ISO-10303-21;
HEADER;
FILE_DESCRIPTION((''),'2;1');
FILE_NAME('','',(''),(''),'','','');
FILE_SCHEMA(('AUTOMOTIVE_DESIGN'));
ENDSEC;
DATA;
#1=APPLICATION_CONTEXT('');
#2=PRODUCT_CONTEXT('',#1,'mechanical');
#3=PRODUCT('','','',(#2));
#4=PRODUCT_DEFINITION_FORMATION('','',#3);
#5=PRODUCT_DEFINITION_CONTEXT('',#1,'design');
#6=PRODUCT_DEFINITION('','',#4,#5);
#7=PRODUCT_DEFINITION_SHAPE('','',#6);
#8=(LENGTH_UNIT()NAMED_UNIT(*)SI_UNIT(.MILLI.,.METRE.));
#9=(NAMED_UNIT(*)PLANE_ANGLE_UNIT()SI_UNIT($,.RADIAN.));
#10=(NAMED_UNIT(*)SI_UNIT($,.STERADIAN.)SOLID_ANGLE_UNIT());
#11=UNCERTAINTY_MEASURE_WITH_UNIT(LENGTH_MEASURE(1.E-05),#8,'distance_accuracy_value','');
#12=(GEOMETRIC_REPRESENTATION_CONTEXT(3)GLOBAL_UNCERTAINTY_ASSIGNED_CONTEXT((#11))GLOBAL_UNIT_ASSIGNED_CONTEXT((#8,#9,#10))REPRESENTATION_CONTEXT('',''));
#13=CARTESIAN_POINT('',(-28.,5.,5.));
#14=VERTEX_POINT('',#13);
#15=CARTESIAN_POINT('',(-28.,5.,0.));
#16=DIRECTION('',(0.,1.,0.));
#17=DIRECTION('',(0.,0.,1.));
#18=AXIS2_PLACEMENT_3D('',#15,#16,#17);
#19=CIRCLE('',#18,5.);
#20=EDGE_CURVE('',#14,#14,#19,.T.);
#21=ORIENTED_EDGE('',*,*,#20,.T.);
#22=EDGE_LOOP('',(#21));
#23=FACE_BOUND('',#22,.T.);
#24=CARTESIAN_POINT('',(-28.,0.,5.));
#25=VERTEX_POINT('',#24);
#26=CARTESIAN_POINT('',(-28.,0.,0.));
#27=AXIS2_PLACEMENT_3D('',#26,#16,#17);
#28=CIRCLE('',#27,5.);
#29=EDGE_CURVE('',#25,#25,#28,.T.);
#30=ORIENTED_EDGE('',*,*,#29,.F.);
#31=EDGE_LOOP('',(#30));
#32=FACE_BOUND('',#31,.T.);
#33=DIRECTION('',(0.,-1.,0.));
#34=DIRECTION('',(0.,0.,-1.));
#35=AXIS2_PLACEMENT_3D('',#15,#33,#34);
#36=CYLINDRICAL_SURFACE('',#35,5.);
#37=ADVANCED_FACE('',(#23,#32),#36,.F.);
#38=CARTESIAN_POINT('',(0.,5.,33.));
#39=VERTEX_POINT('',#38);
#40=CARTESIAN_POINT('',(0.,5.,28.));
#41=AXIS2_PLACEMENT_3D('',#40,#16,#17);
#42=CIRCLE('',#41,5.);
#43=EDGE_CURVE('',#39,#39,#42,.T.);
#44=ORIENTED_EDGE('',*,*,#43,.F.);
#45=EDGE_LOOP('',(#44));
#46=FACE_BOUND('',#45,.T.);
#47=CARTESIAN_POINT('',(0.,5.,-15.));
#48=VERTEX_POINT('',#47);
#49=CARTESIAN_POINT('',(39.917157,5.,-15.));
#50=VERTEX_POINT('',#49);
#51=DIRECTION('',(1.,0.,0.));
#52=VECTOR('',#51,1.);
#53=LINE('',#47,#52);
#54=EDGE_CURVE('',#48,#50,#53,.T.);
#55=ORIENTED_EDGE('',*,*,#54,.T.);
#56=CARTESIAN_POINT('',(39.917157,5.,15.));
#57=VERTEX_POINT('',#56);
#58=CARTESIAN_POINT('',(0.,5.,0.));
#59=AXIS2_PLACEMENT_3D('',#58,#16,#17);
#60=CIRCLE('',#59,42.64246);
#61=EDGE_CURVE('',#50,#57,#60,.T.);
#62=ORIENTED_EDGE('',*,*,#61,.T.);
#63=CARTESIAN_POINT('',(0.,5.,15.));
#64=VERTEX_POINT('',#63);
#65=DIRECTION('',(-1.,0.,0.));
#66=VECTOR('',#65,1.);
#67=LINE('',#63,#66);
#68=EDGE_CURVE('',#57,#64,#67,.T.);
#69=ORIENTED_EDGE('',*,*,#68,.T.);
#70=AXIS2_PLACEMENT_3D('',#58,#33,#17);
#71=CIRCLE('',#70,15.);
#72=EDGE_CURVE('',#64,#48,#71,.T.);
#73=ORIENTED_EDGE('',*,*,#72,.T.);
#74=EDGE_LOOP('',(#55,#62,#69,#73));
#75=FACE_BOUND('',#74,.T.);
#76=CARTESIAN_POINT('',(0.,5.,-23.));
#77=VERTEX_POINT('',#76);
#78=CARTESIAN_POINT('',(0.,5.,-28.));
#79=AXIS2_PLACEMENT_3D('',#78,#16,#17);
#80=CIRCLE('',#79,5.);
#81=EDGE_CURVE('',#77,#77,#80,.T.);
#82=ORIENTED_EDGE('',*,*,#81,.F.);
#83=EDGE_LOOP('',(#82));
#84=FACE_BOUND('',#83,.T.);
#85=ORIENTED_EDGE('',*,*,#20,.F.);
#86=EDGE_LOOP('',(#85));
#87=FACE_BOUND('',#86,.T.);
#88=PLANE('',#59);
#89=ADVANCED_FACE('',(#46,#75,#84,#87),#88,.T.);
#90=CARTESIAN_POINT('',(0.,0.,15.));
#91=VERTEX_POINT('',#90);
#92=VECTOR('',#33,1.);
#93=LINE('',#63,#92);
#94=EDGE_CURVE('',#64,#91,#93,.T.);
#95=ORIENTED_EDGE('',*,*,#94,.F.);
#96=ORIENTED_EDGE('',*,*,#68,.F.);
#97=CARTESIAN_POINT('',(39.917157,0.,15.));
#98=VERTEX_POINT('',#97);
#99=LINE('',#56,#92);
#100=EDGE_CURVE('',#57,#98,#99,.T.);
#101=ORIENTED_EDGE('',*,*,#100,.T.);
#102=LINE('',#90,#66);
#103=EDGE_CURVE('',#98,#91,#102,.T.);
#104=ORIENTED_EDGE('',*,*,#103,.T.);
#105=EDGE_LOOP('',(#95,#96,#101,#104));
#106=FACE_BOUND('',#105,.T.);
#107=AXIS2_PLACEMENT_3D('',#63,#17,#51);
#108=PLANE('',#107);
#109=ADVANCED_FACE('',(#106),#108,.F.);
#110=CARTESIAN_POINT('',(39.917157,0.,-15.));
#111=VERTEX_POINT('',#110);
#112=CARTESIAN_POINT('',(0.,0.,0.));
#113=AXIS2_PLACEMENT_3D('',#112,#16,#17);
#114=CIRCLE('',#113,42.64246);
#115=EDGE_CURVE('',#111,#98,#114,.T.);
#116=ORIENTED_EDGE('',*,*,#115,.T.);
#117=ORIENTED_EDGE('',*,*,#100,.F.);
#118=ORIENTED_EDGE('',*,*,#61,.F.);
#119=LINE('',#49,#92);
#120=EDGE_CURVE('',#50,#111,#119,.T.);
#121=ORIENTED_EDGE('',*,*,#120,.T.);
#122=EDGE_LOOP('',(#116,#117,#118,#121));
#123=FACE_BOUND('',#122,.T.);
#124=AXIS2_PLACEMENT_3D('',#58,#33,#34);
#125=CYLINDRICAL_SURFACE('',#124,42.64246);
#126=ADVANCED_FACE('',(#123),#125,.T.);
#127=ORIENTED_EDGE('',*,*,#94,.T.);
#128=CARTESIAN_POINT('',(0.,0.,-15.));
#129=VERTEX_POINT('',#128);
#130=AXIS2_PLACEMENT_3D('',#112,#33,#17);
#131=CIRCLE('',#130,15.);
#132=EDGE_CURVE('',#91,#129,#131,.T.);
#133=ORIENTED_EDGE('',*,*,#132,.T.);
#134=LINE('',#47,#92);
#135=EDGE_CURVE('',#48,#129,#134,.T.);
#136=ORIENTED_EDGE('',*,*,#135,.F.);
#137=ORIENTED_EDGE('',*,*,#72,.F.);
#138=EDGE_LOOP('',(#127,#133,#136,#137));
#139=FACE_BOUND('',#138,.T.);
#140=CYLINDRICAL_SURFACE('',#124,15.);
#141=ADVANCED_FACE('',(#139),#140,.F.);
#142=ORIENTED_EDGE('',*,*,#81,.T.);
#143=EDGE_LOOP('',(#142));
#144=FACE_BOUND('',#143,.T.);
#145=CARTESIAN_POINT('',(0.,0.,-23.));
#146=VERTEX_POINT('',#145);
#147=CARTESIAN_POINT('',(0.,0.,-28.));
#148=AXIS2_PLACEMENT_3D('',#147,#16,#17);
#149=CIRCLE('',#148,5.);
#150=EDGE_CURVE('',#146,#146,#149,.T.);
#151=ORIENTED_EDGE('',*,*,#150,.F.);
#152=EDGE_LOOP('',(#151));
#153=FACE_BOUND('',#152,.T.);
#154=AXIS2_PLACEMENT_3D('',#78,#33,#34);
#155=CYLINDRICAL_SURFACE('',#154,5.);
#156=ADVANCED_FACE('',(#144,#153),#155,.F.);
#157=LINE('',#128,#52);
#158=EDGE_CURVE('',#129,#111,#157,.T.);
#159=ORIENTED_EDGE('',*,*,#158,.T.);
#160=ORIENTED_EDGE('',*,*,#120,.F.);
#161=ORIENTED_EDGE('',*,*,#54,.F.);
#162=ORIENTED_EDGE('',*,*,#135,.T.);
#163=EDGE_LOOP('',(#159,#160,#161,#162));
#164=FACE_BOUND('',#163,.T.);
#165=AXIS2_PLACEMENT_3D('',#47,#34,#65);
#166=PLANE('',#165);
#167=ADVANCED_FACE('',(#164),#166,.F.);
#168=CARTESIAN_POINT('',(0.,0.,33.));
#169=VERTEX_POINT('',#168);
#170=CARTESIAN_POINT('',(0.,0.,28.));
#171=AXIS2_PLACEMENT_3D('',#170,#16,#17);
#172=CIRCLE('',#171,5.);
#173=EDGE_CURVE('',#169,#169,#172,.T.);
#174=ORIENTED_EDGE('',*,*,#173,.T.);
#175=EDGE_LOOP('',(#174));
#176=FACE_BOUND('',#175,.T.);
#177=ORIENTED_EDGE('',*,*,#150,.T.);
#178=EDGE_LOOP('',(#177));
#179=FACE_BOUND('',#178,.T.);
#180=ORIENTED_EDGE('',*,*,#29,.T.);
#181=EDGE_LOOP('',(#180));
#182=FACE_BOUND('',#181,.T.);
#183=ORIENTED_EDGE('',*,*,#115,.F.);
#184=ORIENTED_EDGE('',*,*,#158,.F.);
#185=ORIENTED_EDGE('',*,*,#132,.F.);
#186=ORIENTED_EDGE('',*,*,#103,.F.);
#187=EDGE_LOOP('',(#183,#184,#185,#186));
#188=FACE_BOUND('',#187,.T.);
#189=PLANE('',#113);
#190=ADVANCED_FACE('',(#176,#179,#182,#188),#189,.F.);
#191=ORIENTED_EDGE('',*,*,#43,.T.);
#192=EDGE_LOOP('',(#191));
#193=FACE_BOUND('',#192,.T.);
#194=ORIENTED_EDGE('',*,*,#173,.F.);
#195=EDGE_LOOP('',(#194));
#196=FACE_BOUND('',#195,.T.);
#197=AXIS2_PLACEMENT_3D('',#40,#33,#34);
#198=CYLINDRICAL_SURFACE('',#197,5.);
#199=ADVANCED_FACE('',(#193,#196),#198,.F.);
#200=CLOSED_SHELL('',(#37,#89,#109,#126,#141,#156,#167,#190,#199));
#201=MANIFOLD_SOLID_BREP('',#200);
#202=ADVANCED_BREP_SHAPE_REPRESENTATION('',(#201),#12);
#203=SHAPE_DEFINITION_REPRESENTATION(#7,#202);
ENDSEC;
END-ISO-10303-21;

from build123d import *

# Parameters (mm, degrees)
SKETCH2_R           = 5
BOSS_EXTRUDE1_DEPTH = 5


with BuildPart() as part:
    # Sketch2 → Boss-Extrude1 (new body)
    with BuildSketch(Plane(origin=(0, 0, 0), x_dir=(1, 0, 0), z_dir=(0, 1, 0))):
        with BuildLine():
            Line((0, 15), (39.91715696, 15))
            ThreePointArc((39.91715696, 15), (-42.642460292, 0), (39.91715696, -15))
            Line((39.91715696, -15), (0, -15))
            ThreePointArc((0, -15), (-15, 0), (0, 15))
        make_face()
        with Locations(Location((0, 28, 0), (0, 0, 270))):
            Circle(SKETCH2_R, mode=Mode.SUBTRACT)
        with Locations(Location((0, -28, 0), (0, 0, 270))):
            Circle(SKETCH2_R, mode=Mode.SUBTRACT)
        with Locations(Location((-28, 0, 0), (0, 0, 270))):
            Circle(SKETCH2_R, mode=Mode.SUBTRACT)
    extrude(amount=BOSS_EXTRUDE1_DEPTH)


solid = part.part
